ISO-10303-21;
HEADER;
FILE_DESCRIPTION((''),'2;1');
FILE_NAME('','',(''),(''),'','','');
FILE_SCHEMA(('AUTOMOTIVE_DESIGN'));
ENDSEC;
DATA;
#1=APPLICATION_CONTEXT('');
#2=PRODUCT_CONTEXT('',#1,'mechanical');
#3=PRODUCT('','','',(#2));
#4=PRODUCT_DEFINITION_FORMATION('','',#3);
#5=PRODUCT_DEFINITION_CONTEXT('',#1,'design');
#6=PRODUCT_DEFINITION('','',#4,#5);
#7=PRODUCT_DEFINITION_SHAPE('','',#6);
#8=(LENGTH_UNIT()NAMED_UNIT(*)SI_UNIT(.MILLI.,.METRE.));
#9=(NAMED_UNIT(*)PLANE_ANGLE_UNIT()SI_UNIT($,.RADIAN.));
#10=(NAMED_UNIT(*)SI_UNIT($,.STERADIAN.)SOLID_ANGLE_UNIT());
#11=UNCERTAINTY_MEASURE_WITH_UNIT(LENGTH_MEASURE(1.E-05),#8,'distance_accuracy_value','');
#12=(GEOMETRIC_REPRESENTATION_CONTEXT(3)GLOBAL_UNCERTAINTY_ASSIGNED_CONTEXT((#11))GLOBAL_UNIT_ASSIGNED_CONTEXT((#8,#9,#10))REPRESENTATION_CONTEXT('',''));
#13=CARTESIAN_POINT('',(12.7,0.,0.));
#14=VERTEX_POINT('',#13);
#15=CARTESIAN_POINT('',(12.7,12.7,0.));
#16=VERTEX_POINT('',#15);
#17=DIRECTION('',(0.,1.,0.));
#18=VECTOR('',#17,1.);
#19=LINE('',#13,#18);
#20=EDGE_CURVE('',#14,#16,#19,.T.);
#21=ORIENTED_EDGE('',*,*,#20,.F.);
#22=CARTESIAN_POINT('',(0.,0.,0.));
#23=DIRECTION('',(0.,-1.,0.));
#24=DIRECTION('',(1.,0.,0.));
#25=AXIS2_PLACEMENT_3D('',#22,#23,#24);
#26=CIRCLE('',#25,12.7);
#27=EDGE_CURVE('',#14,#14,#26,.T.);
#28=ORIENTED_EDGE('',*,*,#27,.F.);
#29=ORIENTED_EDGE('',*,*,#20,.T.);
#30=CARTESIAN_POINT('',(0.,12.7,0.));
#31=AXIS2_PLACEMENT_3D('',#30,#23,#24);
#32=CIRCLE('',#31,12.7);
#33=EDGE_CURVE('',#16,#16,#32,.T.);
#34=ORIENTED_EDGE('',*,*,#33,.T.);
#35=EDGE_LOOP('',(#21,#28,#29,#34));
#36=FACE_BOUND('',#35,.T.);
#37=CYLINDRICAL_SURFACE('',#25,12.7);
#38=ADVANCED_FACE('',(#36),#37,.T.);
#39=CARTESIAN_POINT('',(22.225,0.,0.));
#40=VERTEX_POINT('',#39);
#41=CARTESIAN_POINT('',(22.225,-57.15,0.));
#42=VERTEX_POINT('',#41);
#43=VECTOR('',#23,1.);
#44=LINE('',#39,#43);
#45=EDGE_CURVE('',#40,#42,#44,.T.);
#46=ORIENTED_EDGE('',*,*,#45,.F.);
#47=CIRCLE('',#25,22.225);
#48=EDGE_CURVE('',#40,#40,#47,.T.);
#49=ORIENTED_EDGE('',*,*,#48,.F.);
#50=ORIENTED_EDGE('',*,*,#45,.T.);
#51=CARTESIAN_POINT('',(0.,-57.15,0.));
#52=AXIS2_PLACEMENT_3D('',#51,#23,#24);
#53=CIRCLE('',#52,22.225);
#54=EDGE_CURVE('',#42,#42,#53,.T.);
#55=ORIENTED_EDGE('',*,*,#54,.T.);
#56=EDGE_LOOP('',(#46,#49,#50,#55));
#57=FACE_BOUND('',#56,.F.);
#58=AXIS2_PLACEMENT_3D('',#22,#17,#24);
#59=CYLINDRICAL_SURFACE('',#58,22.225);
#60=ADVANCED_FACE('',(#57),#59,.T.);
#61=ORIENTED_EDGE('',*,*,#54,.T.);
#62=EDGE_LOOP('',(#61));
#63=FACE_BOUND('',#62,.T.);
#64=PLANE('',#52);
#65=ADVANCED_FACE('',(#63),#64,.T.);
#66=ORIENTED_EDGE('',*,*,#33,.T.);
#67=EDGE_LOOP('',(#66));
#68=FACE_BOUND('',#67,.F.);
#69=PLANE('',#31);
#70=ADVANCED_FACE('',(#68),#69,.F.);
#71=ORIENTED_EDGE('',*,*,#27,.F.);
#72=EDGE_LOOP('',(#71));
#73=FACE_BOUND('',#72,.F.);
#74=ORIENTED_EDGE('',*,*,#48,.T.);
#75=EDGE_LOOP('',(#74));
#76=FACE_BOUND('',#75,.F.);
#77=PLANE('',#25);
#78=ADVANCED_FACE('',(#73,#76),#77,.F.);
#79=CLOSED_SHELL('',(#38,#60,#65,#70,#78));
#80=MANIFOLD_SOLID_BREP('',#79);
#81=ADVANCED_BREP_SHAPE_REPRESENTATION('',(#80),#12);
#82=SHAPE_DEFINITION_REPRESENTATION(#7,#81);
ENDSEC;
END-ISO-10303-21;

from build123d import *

# Parameters (mm, degrees)
F0_R     = 22.225
F1_DEPTH = 57.15
F2_R     = 12.7
F3_DEPTH = 12.7


with BuildPart() as f1:
    # F0 (on Front) → F1 (new body)
    with BuildSketch(Plane.XZ):
        Circle(F0_R)
    extrude(amount=F1_DEPTH)

    # F2 (on Front) → F3 (join)
    with BuildSketch(Plane.XZ):
        Circle(F2_R)
    extrude(amount=-F3_DEPTH)


solid = f1.part
